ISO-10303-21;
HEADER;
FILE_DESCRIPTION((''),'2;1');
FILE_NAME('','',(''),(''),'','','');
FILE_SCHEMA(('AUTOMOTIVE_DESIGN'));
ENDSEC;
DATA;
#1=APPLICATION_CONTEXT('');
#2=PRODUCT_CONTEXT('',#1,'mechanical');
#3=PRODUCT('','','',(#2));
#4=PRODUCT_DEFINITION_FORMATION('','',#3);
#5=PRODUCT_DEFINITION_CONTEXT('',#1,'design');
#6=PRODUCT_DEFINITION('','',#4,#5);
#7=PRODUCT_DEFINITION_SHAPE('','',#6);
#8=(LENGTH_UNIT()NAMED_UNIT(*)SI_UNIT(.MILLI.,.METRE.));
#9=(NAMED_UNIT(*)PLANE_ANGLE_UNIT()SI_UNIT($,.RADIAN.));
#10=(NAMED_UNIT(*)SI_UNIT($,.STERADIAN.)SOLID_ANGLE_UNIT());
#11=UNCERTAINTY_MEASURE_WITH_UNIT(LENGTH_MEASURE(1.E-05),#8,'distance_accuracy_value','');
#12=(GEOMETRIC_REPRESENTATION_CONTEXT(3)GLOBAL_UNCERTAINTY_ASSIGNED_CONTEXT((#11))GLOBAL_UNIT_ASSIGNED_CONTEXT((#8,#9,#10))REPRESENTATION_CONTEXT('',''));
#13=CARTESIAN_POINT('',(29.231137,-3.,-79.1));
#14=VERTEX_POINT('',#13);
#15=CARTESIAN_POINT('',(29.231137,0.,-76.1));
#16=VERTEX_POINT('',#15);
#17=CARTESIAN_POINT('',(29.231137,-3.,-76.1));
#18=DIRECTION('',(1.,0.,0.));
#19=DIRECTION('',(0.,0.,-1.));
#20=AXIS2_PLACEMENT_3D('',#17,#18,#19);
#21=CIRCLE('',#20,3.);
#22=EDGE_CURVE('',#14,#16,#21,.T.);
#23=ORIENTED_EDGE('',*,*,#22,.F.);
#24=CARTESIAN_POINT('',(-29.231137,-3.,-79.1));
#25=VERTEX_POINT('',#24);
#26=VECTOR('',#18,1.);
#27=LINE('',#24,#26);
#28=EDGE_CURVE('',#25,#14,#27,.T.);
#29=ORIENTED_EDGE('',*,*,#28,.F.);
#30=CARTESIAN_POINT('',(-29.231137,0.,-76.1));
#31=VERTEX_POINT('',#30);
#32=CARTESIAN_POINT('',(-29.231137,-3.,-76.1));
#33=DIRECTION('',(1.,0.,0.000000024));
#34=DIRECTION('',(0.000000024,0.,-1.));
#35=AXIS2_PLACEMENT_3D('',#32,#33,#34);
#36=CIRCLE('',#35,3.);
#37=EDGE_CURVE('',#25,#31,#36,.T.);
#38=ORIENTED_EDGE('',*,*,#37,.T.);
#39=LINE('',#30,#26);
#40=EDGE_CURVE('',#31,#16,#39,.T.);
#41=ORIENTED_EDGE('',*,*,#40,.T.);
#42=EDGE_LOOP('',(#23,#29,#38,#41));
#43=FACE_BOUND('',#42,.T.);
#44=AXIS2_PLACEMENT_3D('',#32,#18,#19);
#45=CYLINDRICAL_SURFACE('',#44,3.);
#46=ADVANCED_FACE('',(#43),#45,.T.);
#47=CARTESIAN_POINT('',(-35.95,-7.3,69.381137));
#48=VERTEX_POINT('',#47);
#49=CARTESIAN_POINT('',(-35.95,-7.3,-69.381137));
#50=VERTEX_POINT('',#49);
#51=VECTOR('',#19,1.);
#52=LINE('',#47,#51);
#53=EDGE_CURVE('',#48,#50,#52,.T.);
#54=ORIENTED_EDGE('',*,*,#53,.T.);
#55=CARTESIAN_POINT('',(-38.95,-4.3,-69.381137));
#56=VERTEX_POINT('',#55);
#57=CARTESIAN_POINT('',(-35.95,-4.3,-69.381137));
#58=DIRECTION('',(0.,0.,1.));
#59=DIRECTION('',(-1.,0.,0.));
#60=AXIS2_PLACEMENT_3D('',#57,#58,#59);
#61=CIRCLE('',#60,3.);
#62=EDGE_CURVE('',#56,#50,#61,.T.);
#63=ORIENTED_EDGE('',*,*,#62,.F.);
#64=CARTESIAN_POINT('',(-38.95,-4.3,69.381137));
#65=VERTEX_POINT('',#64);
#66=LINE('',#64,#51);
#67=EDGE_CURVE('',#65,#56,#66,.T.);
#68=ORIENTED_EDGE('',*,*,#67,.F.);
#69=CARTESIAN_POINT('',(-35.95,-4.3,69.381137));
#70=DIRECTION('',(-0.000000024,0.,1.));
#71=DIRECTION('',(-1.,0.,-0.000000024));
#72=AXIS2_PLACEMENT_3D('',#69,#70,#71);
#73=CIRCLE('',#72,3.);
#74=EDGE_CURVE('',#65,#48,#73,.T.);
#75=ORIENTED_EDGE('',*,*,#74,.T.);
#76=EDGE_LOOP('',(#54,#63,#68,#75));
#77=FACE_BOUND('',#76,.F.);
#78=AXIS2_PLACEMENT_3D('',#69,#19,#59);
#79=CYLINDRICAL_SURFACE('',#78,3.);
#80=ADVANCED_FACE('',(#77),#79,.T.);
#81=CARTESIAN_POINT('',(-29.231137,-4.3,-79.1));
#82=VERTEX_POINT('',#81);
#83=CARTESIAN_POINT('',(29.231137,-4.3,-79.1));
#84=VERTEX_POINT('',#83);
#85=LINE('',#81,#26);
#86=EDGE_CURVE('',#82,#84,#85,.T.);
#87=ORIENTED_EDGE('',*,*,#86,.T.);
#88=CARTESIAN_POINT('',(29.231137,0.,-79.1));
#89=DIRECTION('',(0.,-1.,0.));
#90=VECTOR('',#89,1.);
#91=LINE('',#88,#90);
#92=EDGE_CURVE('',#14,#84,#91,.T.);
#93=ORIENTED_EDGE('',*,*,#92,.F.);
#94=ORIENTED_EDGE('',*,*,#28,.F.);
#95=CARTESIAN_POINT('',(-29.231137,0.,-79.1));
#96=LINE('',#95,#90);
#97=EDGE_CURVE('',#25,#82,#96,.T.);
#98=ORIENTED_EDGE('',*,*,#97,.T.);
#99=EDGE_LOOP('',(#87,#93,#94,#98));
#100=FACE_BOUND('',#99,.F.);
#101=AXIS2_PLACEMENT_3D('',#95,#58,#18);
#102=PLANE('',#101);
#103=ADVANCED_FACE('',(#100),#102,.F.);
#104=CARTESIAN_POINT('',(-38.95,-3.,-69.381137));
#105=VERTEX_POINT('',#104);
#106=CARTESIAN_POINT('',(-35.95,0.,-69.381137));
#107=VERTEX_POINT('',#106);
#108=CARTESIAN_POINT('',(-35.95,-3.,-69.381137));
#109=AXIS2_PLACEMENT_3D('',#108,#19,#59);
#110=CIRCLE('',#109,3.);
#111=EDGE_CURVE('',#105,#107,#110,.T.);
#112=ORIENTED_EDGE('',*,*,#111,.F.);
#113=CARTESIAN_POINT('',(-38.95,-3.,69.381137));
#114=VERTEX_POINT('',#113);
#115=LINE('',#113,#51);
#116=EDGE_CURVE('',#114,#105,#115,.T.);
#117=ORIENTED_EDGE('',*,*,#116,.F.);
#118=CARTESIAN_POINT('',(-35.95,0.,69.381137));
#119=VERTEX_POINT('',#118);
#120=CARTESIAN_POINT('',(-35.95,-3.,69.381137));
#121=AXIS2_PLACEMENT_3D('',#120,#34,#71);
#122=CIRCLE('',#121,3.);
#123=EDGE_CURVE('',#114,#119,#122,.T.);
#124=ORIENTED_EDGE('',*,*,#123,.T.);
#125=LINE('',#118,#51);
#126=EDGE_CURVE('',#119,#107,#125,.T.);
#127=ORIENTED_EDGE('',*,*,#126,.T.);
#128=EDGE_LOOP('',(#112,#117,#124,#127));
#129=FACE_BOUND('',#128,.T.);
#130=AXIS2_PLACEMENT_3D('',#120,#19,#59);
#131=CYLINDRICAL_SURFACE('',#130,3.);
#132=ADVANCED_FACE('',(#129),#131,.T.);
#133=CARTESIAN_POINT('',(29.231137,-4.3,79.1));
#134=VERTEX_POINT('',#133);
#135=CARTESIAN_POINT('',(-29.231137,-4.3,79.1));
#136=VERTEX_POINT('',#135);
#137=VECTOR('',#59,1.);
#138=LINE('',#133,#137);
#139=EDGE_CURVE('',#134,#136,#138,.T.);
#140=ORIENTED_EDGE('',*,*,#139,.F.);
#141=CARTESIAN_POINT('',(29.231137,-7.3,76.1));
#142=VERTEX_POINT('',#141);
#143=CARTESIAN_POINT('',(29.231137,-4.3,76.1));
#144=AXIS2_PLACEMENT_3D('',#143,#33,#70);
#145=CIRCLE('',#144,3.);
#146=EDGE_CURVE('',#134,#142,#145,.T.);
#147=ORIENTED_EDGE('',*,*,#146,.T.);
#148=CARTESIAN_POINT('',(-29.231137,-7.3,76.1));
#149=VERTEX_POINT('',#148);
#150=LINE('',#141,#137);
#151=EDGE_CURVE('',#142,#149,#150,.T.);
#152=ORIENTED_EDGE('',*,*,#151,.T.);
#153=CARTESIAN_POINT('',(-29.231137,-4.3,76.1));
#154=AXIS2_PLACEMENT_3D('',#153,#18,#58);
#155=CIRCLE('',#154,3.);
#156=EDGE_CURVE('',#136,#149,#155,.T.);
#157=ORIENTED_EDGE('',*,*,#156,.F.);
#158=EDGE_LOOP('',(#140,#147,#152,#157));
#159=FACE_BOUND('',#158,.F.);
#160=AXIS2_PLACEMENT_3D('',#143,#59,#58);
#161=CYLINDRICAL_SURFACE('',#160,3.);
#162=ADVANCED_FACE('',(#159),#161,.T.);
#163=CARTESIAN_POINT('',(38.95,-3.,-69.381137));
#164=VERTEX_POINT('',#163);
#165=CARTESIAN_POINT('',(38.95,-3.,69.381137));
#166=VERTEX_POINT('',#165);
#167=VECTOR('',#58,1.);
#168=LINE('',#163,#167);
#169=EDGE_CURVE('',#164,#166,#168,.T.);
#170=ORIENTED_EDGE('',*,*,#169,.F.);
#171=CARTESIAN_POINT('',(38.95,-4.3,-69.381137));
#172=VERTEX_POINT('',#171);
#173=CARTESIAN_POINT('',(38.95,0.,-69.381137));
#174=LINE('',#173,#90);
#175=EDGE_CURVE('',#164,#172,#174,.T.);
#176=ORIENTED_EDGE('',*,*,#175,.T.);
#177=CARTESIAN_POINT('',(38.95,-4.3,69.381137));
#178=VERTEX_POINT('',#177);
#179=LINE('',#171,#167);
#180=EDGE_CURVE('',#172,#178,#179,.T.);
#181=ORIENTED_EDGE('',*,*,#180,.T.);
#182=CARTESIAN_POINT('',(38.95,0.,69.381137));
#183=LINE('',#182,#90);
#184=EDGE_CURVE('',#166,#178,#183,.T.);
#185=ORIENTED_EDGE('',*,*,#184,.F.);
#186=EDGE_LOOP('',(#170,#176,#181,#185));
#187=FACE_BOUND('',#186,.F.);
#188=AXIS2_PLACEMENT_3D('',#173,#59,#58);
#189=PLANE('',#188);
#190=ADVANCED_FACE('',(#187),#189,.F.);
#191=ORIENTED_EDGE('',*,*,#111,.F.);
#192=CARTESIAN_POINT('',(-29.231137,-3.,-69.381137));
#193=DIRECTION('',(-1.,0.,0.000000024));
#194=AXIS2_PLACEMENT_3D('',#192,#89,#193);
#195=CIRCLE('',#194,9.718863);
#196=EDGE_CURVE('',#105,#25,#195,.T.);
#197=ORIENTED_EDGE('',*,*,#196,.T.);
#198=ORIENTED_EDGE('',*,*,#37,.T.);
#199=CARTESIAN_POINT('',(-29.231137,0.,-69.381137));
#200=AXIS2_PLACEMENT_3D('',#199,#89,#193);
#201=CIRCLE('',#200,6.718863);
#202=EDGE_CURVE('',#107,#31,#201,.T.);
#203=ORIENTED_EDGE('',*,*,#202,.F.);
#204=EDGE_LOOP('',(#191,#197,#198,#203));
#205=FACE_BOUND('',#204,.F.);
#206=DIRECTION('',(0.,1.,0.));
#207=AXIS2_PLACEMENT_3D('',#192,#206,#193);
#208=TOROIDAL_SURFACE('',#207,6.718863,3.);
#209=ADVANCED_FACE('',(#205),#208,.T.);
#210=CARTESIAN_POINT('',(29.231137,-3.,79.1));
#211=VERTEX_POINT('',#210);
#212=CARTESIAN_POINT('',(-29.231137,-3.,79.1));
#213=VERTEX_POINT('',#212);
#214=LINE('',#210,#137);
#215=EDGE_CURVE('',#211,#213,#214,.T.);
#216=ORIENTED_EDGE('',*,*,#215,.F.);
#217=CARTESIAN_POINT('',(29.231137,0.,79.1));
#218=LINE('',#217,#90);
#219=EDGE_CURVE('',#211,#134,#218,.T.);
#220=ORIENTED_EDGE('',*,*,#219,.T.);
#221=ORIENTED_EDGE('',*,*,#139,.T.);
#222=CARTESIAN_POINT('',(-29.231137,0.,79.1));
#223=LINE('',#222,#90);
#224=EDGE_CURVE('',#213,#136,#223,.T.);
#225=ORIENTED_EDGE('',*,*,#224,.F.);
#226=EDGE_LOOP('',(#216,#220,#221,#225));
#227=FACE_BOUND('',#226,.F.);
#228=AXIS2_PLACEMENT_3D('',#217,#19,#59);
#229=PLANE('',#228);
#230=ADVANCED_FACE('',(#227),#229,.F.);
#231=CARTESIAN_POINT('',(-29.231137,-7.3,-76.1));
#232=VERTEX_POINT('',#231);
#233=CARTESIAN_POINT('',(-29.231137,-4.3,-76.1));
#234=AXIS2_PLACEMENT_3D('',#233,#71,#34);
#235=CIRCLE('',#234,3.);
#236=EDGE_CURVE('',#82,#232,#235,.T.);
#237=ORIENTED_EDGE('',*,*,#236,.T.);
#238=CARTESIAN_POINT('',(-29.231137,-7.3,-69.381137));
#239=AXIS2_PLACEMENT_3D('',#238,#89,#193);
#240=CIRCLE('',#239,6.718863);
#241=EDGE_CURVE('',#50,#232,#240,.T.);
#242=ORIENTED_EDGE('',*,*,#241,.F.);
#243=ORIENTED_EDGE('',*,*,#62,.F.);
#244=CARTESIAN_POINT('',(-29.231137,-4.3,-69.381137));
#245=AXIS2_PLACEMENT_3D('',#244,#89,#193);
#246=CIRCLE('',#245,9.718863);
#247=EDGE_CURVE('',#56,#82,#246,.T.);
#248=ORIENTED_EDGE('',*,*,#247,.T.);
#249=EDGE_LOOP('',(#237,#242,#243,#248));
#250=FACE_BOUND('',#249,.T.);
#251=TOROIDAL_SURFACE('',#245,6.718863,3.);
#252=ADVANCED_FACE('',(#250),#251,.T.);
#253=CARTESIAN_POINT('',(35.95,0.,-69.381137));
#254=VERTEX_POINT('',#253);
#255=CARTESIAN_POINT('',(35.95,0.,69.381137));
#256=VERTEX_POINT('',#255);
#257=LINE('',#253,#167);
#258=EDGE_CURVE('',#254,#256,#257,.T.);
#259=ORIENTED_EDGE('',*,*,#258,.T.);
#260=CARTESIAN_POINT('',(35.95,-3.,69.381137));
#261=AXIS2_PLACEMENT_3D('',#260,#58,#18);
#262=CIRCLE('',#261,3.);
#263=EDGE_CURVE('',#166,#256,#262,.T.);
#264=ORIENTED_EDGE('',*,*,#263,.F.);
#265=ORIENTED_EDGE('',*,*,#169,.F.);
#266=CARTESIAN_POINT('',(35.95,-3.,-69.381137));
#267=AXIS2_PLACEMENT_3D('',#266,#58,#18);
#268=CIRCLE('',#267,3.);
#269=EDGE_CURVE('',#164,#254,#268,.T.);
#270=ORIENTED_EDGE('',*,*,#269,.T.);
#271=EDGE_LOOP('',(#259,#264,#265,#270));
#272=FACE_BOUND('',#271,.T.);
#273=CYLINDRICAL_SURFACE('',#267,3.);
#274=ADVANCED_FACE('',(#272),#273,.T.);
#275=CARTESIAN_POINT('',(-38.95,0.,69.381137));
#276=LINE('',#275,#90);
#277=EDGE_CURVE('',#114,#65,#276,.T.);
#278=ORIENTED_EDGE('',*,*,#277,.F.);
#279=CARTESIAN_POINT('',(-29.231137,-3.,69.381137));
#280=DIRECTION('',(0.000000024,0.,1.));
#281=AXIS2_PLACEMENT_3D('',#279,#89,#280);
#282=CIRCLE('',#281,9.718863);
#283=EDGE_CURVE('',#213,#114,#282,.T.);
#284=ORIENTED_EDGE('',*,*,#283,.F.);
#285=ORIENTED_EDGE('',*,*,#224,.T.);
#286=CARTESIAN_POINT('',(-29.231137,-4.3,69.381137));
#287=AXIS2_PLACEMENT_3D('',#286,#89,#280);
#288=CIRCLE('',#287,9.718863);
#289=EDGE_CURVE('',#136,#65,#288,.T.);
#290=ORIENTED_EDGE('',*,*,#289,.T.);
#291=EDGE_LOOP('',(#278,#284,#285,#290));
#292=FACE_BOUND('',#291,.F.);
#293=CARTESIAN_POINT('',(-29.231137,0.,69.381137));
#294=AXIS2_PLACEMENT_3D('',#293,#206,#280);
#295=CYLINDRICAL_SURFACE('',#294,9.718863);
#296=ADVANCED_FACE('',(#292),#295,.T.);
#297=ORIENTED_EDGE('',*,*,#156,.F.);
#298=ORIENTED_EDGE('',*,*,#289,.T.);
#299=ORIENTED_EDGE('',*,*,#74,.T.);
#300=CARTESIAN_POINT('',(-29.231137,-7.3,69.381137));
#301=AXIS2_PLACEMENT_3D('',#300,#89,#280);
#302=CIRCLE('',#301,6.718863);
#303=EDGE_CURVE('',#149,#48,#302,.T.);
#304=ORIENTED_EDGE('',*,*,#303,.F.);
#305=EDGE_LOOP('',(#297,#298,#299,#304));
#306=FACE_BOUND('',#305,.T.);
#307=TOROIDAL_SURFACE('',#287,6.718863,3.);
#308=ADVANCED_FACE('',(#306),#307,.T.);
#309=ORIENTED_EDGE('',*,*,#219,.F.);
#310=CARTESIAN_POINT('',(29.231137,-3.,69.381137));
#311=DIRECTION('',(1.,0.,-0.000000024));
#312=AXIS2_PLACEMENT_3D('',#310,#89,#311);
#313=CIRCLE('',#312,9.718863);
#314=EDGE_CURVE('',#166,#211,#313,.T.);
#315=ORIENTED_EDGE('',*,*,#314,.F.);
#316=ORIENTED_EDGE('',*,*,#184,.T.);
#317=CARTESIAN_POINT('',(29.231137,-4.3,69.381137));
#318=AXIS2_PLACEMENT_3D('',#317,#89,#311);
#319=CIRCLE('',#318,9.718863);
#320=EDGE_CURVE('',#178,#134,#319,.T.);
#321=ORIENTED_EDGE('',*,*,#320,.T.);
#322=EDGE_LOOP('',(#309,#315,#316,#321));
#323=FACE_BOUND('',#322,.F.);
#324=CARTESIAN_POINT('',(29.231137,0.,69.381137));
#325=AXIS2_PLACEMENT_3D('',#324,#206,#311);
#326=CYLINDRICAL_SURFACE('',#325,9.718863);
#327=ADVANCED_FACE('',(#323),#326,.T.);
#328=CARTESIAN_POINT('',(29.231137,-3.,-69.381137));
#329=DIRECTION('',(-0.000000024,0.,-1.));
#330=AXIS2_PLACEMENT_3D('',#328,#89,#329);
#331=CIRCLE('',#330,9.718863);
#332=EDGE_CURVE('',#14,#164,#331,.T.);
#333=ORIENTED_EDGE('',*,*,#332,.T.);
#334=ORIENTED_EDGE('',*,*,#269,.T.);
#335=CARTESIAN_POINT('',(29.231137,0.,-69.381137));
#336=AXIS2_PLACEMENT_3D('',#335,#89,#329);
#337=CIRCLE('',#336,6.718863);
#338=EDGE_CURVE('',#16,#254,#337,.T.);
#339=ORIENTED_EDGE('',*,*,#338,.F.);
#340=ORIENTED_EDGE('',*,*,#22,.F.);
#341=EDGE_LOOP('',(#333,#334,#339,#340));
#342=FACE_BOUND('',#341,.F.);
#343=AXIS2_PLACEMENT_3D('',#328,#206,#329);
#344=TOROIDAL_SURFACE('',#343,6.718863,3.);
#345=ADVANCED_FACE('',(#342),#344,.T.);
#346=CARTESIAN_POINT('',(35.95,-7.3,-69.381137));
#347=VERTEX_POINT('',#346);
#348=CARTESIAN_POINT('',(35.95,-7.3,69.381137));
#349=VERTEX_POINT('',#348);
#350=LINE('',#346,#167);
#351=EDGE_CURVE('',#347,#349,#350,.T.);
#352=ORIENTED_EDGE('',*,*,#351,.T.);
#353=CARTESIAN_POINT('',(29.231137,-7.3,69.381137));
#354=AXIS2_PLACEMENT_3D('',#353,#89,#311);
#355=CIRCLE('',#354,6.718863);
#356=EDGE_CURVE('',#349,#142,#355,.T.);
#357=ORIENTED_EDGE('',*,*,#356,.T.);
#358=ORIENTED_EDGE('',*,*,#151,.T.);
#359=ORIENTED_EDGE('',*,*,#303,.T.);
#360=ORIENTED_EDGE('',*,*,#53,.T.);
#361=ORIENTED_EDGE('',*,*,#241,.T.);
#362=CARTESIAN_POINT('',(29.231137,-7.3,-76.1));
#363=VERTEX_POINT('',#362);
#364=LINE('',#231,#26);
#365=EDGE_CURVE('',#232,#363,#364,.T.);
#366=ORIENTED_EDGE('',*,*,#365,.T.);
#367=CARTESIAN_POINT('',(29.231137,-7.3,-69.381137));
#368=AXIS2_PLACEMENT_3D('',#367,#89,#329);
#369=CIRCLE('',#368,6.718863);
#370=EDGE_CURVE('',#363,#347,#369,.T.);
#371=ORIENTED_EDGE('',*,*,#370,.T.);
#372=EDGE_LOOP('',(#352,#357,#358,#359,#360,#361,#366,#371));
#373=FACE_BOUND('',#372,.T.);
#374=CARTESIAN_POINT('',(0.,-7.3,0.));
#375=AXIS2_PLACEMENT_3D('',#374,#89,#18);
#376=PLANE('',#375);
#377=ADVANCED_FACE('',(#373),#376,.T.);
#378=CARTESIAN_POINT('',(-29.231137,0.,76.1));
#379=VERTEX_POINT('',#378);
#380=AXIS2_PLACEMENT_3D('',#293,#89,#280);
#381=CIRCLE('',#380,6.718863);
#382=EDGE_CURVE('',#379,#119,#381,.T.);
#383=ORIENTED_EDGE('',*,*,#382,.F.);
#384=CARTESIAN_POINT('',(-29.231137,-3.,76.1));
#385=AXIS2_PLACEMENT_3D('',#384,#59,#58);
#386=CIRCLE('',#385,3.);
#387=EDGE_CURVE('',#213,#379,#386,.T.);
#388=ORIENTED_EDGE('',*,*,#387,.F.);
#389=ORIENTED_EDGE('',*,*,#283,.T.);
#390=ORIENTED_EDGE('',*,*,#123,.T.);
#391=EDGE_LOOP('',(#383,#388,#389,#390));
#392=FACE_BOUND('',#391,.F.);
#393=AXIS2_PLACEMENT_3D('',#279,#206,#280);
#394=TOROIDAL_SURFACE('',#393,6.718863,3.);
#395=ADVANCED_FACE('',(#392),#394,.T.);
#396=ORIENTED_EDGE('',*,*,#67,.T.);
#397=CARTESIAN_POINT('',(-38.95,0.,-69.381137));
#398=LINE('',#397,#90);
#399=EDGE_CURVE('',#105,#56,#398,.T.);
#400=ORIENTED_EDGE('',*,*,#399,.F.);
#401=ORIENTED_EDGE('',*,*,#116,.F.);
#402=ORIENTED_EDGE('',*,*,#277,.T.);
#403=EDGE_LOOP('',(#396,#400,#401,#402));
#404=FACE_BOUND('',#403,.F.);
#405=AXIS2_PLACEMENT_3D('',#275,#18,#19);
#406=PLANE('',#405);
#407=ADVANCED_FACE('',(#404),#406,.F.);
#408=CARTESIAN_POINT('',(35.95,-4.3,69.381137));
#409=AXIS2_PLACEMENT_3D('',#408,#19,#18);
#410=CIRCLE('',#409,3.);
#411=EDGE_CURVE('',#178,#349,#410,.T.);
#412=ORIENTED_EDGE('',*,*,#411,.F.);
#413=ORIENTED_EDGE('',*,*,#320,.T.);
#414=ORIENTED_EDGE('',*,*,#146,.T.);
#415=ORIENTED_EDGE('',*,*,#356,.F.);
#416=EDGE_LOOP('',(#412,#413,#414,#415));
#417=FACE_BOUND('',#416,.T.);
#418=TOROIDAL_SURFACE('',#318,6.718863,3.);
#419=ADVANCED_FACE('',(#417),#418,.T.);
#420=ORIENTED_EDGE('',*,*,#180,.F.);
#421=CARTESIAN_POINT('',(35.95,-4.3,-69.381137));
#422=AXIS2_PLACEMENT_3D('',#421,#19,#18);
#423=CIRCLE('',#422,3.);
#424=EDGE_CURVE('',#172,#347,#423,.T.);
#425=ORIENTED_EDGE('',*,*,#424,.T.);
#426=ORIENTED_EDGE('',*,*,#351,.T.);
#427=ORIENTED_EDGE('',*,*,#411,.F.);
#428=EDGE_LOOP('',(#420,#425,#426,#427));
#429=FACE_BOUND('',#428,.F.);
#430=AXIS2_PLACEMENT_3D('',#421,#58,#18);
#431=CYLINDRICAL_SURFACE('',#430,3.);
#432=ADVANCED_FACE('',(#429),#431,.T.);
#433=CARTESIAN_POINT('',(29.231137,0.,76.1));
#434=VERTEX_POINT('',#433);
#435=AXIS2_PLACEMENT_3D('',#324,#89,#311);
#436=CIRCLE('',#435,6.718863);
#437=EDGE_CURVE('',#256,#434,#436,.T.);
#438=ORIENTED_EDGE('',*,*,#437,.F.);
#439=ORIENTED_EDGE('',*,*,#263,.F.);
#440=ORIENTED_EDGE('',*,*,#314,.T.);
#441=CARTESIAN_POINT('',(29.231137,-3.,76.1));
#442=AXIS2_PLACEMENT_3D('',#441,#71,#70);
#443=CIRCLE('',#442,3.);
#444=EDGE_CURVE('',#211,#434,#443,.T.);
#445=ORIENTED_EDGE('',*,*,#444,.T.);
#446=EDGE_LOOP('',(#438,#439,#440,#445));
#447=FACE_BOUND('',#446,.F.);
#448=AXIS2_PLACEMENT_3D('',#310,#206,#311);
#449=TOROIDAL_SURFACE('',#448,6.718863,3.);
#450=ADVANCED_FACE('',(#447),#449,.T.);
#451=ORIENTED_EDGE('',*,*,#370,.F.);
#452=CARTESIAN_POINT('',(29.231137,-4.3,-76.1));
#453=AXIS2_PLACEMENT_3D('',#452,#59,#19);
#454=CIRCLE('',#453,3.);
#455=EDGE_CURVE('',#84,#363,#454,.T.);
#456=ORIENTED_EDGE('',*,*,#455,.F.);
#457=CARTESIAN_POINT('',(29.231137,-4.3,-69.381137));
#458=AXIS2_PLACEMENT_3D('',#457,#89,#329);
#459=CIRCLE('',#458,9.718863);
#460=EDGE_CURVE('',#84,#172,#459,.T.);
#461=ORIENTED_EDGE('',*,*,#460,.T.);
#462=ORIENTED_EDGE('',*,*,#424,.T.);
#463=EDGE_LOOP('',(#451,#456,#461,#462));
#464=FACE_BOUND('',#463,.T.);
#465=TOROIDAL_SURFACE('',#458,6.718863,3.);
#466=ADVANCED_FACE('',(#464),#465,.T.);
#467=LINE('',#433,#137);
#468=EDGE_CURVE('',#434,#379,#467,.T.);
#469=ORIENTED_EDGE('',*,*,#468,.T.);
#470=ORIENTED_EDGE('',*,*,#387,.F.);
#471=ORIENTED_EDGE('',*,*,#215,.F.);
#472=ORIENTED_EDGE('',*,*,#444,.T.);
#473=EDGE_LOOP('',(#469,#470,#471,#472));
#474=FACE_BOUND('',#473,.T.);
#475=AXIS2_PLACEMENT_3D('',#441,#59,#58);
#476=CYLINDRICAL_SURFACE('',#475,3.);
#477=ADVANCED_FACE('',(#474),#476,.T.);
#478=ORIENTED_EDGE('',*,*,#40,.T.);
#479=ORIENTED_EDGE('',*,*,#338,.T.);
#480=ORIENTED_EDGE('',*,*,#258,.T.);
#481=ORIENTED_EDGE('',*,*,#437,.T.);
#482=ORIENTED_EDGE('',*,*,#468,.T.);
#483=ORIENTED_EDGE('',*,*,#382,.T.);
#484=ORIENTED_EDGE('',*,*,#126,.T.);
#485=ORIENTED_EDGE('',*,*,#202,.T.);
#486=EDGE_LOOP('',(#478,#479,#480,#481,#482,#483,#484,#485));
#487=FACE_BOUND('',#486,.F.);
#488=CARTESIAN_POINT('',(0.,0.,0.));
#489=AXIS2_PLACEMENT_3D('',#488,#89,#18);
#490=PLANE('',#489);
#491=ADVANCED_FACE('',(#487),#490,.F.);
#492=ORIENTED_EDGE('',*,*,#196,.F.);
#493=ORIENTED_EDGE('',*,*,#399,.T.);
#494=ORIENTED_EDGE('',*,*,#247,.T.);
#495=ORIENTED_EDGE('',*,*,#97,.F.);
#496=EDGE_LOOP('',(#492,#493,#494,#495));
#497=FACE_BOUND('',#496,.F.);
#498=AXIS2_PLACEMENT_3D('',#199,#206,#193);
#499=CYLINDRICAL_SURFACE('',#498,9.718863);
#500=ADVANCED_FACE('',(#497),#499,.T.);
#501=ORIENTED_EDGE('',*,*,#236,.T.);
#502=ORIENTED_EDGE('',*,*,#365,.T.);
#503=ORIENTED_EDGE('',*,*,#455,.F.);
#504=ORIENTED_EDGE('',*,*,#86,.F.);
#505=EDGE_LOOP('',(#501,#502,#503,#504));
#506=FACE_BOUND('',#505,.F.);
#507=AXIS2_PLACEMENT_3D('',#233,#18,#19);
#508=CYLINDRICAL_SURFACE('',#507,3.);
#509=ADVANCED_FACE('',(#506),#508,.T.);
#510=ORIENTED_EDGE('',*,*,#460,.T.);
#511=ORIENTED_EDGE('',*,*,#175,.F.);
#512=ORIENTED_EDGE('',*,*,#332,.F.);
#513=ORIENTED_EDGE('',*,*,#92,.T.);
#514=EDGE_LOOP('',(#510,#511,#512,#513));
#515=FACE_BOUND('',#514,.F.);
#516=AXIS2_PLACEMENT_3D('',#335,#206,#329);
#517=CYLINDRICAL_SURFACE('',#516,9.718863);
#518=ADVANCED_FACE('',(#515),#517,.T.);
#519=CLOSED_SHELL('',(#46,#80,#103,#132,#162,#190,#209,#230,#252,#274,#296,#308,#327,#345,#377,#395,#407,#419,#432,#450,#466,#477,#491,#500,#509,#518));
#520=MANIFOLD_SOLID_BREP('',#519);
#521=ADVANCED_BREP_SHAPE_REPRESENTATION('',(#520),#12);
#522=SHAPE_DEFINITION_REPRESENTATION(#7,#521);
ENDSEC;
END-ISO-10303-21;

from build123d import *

# Parameters (mm, degrees)
F1_DEPTH = 7.3
F2_R     = 3


with BuildPart() as f1:
    # F0 (on Front) → F1 (new body)
    with BuildSketch(Plane.XZ):
        with BuildLine():
            Line((29.231137, 79.1), (-29.231137, 79.1))
            ThreePointArc((-29.231137, 79.1), (-36.103411, 76.253411), (-38.95, 69.381137))
            Line((-38.95, 69.381137), (-38.95, -69.381137))
            ThreePointArc((-38.95, -69.381137), (-36.103411, -76.253411), (-29.231137, -79.1))
            Line((-29.231137, -79.1), (29.231137, -79.1))
            ThreePointArc((29.231137, -79.1), (36.103411, -76.253411), (38.95, -69.381137))
            Line((38.95, -69.381137), (38.95, 69.381137))
            ThreePointArc((38.95, 69.381137), (36.103411, 76.253411), (29.231137, 79.1))
        make_face()
    extrude(amount=F1_DEPTH)

    # F2
    f2_edges = [f1.edges().sort_by_distance(p)[0] for p in [
        (38.95, -7.3, 0),
        (36.103411, -7.3, 76.253411),
        (0, -7.3, 79.1),
        (-36.103411, -7.3, 76.253411),
        (-38.95, -7.3, 0),
        (-36.103411, -7.3, -76.253411),
        (0, -7.3, -79.1),
        (36.103411, -7.3, -76.253411),
        (38.95, 0, 0),
        (36.103411, 0, 76.253411),
        (0, 0, 79.1),
        (-36.103411, 0, 76.253411),
        (-38.95, 0, 0),
        (-36.103411, 0, -76.253411),
        (0, 0, -79.1),
        (36.103411, 0, -76.253411),
    ]]
    fillet(f2_edges, radius=F2_R)


solid = f1.part
